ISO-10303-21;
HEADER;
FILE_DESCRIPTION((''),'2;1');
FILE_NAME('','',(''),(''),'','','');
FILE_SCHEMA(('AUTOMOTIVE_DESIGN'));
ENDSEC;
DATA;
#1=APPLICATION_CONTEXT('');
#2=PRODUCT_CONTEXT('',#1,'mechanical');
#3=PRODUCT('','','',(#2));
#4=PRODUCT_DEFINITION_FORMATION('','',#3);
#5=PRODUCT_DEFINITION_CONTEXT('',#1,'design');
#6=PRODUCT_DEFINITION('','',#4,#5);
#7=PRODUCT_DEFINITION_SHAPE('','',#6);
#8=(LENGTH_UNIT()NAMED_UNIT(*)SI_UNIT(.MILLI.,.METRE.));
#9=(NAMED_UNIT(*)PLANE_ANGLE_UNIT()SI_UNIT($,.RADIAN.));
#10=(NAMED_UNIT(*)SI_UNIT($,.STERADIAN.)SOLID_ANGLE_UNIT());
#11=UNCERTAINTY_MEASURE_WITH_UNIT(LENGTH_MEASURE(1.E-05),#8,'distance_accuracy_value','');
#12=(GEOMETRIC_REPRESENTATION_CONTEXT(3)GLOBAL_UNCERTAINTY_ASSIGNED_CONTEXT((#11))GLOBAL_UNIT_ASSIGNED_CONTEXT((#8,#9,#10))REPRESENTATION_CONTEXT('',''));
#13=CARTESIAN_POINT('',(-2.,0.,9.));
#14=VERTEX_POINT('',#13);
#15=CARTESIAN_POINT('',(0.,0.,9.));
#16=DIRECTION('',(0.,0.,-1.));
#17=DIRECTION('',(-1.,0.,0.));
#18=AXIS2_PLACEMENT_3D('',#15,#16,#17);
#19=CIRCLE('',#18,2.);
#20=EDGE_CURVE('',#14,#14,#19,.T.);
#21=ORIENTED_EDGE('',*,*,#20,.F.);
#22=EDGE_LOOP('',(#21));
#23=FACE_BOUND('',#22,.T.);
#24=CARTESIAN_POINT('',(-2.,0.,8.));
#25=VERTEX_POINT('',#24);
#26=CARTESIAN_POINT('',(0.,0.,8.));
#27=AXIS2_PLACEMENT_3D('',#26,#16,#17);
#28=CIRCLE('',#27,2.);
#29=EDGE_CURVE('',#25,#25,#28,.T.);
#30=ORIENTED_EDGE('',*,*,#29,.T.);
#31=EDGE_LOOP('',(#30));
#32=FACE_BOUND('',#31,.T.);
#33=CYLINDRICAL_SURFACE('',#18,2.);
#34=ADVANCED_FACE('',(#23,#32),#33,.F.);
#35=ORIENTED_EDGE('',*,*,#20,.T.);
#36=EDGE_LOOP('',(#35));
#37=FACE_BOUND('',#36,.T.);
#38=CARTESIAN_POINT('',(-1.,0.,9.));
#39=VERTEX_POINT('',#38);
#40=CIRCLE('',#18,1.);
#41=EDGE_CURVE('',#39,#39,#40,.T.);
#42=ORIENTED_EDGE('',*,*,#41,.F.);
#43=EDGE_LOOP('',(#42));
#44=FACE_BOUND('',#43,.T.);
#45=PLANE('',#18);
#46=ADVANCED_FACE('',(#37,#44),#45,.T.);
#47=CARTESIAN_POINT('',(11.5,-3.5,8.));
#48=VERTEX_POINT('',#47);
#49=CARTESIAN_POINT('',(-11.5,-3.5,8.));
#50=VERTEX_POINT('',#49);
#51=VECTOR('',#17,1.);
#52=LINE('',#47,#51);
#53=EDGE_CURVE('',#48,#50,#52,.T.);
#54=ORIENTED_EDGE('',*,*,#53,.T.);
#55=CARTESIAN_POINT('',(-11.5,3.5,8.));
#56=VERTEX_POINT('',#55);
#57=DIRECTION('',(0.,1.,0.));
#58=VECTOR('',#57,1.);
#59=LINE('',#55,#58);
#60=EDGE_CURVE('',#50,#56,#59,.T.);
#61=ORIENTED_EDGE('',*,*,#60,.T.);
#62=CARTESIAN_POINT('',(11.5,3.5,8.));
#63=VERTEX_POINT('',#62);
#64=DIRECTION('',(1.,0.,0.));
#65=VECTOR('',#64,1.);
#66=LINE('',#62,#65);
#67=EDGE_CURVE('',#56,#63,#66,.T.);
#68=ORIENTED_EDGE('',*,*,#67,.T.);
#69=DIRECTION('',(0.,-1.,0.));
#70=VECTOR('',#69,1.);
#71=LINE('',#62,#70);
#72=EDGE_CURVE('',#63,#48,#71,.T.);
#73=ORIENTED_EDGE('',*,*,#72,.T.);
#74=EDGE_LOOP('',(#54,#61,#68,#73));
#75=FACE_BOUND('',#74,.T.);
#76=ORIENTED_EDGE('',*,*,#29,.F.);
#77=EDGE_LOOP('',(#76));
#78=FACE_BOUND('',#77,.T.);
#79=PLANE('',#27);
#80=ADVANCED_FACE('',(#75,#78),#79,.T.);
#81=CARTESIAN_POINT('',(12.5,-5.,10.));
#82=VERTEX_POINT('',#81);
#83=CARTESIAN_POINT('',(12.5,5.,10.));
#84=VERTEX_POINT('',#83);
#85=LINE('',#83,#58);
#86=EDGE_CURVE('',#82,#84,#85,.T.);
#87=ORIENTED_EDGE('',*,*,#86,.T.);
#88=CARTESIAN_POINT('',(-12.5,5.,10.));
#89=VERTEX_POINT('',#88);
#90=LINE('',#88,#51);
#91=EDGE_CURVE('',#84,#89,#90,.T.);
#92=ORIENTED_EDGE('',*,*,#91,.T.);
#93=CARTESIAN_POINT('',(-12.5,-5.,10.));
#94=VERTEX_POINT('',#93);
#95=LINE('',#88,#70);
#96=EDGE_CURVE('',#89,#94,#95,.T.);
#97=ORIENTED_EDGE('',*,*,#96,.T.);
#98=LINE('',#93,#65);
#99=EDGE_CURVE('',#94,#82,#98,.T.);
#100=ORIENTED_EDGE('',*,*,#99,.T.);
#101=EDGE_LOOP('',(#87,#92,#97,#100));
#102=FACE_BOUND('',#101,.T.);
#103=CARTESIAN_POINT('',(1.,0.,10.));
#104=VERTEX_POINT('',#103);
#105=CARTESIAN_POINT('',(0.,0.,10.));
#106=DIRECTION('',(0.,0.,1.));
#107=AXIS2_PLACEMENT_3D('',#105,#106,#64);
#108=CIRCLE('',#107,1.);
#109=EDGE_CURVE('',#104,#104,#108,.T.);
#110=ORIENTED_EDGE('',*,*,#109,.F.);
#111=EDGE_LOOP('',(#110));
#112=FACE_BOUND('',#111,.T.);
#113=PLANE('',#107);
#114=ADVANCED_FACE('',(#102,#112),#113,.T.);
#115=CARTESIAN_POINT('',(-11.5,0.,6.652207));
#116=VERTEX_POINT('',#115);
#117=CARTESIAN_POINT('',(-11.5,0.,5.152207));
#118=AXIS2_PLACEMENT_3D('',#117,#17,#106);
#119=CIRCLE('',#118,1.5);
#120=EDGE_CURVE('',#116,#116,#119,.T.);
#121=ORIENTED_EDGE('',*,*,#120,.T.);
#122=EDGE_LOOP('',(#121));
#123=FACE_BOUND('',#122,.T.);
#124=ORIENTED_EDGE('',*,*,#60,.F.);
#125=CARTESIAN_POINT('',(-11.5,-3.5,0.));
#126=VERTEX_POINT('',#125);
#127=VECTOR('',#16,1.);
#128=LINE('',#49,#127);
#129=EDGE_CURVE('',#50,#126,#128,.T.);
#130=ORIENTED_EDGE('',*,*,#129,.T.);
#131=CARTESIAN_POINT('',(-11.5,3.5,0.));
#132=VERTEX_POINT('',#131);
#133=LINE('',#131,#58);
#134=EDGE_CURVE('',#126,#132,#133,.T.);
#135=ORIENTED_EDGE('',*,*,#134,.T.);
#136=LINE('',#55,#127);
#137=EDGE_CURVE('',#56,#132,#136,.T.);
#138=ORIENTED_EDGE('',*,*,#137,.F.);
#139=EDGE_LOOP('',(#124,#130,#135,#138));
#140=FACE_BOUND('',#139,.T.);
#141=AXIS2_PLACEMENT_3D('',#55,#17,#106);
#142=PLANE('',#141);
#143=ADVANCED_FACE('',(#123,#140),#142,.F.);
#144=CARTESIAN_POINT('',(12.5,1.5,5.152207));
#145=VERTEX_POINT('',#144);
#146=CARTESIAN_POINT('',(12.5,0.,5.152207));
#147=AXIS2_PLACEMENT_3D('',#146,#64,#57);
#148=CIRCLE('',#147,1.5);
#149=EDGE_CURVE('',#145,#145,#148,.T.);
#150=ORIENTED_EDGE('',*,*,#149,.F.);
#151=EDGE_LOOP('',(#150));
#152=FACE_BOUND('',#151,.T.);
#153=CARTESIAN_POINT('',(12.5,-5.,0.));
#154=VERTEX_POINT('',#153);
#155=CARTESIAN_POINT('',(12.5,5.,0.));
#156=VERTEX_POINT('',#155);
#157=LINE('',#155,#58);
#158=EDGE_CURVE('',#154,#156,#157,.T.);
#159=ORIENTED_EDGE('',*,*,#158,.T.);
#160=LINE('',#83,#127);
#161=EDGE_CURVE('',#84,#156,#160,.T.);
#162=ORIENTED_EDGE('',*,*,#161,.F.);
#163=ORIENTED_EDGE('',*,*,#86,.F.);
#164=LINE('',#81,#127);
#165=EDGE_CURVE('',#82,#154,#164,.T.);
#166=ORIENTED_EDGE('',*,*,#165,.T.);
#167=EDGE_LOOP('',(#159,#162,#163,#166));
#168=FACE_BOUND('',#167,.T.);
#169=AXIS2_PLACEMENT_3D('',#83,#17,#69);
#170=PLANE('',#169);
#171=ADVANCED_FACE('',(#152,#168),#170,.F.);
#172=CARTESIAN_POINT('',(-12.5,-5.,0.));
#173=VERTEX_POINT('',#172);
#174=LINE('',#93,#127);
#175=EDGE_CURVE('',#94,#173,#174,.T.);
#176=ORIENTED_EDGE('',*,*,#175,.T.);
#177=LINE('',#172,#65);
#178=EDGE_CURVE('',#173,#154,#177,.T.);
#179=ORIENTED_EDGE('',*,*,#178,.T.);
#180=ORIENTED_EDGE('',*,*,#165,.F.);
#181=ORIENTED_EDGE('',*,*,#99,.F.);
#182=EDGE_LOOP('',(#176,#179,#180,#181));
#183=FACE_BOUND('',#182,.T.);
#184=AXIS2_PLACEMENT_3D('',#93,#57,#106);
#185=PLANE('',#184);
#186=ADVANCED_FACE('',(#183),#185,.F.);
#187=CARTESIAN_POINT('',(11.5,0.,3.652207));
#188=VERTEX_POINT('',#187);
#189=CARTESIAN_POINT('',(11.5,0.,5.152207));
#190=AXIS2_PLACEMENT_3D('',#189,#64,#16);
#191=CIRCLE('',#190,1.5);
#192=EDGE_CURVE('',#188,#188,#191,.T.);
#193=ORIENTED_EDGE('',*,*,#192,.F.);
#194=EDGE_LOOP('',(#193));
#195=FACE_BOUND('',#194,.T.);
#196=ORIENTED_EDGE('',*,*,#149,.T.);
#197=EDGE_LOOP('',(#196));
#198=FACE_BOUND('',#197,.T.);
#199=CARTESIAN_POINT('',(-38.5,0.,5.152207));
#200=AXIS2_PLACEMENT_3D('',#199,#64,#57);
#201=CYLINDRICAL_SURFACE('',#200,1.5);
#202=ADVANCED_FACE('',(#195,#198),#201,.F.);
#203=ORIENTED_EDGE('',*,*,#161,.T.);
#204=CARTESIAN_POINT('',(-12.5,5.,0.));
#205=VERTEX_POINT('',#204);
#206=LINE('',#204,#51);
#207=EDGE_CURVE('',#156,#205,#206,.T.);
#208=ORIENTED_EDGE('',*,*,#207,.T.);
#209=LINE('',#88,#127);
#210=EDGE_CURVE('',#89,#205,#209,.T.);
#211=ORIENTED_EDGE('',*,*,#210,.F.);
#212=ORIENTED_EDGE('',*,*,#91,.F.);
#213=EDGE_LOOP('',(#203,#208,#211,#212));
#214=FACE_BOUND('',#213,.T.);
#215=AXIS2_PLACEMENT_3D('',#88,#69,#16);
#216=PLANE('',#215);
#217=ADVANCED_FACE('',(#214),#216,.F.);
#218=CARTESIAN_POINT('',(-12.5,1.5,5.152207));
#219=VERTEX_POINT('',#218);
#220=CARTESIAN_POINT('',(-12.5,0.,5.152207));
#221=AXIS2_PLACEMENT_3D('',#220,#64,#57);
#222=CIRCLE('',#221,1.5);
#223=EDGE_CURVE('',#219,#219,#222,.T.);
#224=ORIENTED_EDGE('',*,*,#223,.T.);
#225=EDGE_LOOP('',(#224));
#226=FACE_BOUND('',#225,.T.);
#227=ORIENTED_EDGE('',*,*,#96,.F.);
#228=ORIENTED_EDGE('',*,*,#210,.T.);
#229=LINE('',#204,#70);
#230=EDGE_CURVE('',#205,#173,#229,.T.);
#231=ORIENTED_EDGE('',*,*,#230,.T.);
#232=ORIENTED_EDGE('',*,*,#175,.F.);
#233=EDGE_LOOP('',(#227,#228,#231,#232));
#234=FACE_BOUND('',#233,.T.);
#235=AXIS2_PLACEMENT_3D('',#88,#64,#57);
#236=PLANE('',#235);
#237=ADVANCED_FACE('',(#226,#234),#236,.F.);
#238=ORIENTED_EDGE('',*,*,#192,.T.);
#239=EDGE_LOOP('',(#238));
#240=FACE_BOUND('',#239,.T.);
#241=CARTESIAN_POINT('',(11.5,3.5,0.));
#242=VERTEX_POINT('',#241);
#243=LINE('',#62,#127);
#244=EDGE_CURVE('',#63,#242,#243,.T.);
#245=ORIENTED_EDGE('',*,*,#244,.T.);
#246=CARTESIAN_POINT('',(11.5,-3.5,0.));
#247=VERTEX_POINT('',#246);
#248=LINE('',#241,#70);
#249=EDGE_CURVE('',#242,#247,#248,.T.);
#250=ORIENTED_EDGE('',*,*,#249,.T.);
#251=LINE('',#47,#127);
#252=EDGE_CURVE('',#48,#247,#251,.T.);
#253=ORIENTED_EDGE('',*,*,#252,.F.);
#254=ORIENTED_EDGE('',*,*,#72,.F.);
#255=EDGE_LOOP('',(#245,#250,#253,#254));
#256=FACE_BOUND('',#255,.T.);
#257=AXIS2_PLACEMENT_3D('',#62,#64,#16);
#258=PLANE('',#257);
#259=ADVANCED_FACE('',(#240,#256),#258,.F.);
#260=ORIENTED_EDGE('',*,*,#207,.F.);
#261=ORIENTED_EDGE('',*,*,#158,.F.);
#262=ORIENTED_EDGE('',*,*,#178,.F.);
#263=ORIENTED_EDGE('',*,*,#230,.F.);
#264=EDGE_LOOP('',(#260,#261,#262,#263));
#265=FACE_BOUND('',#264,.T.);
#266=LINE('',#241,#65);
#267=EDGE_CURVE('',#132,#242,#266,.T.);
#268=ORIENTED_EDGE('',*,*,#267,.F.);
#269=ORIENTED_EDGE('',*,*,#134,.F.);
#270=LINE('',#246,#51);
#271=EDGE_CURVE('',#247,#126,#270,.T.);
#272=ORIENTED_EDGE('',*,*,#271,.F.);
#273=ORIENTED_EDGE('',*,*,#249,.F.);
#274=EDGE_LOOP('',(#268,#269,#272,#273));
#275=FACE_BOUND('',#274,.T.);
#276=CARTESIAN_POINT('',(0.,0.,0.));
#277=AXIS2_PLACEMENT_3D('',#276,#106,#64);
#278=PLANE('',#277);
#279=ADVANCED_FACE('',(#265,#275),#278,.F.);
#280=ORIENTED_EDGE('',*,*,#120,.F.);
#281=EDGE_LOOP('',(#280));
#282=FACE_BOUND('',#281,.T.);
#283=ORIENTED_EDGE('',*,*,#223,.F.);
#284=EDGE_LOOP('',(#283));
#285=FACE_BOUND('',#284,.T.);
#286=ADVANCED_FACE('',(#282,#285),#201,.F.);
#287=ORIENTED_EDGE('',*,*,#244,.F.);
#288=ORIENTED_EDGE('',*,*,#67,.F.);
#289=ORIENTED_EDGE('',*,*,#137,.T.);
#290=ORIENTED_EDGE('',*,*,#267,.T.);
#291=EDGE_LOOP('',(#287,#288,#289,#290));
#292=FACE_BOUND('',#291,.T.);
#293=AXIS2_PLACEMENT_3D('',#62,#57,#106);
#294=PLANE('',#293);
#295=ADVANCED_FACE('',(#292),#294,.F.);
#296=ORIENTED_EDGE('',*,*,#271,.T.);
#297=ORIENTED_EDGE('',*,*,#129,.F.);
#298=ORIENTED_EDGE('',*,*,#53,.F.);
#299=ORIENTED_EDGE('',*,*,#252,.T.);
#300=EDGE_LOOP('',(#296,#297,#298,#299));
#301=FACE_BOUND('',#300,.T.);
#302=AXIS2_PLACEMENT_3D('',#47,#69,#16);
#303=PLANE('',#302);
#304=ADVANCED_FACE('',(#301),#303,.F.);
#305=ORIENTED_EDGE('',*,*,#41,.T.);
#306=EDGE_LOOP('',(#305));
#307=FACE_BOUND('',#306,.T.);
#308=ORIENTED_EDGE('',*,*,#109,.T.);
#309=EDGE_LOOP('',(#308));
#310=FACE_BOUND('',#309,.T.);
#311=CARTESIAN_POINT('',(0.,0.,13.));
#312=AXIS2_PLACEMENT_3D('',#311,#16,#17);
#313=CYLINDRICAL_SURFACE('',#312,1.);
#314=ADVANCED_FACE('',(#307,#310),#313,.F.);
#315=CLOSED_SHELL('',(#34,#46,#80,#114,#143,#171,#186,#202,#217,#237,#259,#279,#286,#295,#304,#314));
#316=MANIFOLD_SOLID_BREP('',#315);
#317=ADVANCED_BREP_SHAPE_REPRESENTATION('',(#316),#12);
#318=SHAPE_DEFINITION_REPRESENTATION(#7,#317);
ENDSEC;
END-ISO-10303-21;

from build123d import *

# Parameters (mm, degrees)
SKETCH1_W           = 25
SKETCH1_H           = 10
BOSS_EXTRUDE1_DEPTH = 10
SKETCH2_W           = 23
SKETCH2_H           = 7
CUT_EXTRUDE1_DEPTH  = 8
SKETCH3_R           = 1.5
CUT_EXTRUDE2_DEPTH  = 51
SKETCH4_R           = 2
CUT_EXTRUDE3_DEPTH  = 1
SKETCH5_R           = 1
CUT_EXTRUDE4_DEPTH  = 4


with BuildPart() as part:
    # Sketch1 → Boss-Extrude1 (new body)
    with BuildSketch(Plane.XY):
        Rectangle(SKETCH1_W, SKETCH1_H)
    extrude(amount=BOSS_EXTRUDE1_DEPTH)

    # Sketch2 → Cut-Extrude1 (cut)
    with BuildSketch(Plane(origin=(0, 0, 0), x_dir=(-1, 0, 0), z_dir=(0, 0, -1))):
        Rectangle(SKETCH2_W, SKETCH2_H)
    extrude(amount=-CUT_EXTRUDE1_DEPTH, mode=Mode.SUBTRACT)

    # Sketch3 → Cut-Extrude2 (cut)
    with BuildSketch(Plane(origin=(12.5, 0, 0), x_dir=(0, 0, -1), z_dir=(1, 0, 0))):
        with Locations((-5.152207195, 0)):
            Circle(SKETCH3_R)
    extrude(amount=-CUT_EXTRUDE2_DEPTH, mode=Mode.SUBTRACT)

    # Sketch4 → Cut-Extrude3 (cut)
    with BuildSketch(Plane(origin=(0, 0, 8), x_dir=(-1, 0, 0), z_dir=(0, 0, -1))):
        Circle(SKETCH4_R)
    extrude(amount=-CUT_EXTRUDE3_DEPTH, mode=Mode.SUBTRACT)

    # Sketch5 → Cut-Extrude4 (cut)
    with BuildSketch(Plane(origin=(0, 0, 9), x_dir=(-1, 0, 0), z_dir=(0, 0, -1))):
        Circle(SKETCH5_R)
    extrude(amount=-CUT_EXTRUDE4_DEPTH, mode=Mode.SUBTRACT)


solid = part.part
